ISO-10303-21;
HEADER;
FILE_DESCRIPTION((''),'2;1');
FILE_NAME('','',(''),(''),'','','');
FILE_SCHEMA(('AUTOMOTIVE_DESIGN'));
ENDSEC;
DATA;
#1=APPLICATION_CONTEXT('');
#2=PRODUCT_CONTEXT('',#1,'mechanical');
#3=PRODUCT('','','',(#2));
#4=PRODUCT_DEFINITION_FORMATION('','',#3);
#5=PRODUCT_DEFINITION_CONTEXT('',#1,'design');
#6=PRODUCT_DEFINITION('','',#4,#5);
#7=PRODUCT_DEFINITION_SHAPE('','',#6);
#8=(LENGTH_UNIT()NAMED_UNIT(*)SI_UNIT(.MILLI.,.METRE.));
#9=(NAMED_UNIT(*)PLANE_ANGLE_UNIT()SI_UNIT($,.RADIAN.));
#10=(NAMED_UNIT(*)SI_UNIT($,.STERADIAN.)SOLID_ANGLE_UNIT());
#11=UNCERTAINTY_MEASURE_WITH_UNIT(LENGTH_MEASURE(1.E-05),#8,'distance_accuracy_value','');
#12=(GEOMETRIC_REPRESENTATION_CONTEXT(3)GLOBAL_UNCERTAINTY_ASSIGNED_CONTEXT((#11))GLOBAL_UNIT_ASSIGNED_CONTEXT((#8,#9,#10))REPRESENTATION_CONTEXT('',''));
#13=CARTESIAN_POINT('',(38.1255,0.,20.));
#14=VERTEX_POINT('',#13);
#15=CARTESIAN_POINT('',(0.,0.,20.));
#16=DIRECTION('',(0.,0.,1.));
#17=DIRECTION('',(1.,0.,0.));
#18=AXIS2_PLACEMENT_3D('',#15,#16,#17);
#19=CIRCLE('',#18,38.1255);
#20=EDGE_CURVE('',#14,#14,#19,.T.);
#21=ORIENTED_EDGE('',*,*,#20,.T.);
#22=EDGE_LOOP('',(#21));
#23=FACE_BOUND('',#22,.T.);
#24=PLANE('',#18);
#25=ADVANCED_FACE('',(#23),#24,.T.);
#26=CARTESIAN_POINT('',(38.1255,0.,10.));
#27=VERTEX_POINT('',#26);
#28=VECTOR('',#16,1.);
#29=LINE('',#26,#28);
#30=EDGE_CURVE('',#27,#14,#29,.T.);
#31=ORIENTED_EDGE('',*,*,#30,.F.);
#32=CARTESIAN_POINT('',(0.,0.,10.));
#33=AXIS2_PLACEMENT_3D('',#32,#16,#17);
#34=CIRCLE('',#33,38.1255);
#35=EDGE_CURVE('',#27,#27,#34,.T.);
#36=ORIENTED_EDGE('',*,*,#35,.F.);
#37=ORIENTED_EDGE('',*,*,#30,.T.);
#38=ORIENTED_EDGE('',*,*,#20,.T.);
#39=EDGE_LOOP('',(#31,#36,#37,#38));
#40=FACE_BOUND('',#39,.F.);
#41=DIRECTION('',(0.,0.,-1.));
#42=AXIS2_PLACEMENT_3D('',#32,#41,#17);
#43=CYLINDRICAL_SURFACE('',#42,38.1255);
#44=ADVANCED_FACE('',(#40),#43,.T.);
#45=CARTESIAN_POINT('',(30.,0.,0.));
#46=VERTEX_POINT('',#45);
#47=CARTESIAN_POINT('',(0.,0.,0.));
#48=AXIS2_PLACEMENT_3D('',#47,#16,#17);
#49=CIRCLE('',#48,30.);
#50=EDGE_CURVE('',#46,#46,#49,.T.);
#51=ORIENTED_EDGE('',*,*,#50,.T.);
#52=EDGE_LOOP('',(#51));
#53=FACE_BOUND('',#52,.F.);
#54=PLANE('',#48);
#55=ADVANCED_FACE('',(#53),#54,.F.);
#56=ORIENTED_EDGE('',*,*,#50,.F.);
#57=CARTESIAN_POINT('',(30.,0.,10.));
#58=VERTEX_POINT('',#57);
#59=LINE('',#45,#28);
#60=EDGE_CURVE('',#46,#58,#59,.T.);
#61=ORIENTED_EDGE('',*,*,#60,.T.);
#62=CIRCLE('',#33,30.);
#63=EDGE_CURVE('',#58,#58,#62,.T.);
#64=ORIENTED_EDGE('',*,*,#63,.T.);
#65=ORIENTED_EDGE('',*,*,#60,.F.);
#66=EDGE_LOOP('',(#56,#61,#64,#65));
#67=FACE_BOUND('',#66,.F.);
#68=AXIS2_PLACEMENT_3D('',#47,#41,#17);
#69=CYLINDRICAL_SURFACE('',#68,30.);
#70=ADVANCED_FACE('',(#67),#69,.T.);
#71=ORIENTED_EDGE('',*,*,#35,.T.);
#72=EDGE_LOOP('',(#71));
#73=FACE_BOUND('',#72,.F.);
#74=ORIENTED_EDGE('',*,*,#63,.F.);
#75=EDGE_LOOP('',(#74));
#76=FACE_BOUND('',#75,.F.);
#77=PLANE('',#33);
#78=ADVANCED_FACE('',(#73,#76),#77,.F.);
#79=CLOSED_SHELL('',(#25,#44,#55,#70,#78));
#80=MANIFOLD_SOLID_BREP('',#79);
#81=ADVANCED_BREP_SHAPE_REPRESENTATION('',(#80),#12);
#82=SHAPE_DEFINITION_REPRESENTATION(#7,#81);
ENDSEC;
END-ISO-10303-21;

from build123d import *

# Parameters (mm, degrees)
F0_R     = 30
F1_DEPTH = 10
F2_R     = 38.1255
F2_R_2   = 30
F3_DEPTH = 10


with BuildPart() as f1:
    # F0 (on Top) → F1 (new body)
    with BuildSketch(Plane.XY):
        Circle(F0_R)
    extrude(amount=F1_DEPTH)

    # F2 (on face) → F3 (join)
    with BuildSketch(Plane.XY.offset(10)):
        Circle(F2_R)
        Circle(F2_R_2, mode=Mode.SUBTRACT)
        Circle(F2_R_2)
    extrude(amount=F3_DEPTH)


solid = f1.part
